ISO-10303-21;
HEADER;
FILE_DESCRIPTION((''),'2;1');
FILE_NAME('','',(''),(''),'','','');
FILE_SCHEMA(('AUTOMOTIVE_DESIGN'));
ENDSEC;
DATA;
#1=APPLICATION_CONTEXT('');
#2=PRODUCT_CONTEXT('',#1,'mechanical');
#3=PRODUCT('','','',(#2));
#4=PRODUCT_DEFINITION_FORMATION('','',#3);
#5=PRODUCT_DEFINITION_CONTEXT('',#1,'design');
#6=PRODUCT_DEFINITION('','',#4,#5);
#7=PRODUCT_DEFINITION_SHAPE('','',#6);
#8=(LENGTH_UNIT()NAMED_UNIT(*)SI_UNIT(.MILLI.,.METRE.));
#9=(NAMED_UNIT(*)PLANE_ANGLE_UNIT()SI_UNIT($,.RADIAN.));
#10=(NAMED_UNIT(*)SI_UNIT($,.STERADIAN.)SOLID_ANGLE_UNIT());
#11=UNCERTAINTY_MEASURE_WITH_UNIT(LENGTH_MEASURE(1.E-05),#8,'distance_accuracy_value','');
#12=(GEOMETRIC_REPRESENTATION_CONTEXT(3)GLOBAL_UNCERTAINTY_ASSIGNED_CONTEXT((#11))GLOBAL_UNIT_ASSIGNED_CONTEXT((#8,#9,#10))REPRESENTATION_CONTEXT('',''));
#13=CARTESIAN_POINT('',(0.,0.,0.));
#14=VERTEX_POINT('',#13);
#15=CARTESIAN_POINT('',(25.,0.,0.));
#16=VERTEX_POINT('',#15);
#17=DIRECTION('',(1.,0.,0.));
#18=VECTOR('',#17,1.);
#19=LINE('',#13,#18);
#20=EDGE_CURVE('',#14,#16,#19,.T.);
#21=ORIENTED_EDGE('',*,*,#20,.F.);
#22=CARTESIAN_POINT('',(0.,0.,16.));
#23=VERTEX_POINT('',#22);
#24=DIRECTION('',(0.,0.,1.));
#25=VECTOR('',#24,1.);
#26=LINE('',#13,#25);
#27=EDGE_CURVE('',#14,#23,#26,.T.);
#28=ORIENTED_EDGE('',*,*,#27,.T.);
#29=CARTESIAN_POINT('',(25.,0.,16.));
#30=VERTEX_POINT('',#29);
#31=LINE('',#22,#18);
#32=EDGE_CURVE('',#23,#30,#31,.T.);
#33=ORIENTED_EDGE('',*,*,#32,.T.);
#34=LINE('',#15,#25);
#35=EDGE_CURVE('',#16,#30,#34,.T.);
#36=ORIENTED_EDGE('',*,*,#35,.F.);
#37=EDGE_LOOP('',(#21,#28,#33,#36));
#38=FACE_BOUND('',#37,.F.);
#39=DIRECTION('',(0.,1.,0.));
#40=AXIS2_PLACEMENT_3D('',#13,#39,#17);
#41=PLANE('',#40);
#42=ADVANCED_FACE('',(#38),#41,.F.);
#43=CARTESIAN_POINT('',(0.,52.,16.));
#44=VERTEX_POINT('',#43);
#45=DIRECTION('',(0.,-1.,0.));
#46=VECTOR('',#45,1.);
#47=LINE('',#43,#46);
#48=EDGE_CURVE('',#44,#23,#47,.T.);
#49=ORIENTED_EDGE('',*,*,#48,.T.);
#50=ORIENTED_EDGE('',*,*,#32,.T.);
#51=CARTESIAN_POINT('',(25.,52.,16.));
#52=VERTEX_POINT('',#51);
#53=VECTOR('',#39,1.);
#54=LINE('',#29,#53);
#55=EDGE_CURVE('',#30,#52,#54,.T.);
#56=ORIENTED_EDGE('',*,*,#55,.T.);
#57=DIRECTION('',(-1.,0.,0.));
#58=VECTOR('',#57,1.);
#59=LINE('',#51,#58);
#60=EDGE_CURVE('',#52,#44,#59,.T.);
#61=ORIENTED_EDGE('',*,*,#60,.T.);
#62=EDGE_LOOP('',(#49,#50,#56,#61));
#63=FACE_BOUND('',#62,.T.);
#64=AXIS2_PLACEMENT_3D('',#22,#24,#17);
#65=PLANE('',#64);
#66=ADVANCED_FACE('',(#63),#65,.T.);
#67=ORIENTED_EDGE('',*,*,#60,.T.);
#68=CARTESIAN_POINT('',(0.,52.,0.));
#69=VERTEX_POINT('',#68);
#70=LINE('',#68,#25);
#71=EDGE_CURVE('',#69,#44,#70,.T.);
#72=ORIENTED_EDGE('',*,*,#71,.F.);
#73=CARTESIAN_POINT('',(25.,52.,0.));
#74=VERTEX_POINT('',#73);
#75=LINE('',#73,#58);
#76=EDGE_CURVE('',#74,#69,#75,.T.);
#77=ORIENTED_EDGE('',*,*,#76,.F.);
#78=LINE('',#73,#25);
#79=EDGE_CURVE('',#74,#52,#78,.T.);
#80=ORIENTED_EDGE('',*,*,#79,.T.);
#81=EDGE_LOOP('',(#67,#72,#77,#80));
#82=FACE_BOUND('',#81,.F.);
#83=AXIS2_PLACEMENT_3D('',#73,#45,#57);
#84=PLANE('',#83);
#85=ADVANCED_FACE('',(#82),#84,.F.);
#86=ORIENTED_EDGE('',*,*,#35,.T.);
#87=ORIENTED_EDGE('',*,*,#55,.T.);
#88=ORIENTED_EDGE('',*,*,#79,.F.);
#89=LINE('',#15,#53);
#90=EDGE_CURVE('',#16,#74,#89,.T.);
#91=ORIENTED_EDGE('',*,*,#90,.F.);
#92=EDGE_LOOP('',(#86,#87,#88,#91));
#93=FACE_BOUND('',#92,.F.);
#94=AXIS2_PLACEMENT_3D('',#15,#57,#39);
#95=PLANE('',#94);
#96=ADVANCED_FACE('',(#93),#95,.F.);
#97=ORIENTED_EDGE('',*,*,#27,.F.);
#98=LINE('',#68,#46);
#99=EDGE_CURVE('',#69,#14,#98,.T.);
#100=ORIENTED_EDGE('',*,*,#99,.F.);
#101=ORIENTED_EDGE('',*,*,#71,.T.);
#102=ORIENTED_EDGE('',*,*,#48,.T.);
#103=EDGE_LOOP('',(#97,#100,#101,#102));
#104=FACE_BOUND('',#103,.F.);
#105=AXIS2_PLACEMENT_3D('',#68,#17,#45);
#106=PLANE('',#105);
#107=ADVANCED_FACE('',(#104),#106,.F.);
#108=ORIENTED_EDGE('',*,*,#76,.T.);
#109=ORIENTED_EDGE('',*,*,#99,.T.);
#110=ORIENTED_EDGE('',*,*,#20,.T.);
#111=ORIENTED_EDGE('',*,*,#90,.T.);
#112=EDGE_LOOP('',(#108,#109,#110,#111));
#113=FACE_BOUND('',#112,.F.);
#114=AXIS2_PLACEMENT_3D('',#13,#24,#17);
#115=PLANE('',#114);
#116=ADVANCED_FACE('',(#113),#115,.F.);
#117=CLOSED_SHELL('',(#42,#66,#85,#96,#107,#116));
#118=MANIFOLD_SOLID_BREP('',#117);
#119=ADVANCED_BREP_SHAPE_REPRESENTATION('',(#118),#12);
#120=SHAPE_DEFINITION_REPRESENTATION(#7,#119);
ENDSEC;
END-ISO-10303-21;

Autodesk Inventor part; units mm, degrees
ref_plane "YZ Plane" through (0, 0, 0) normal (1, 0, 0) x (0, 1, 0)
ref_plane "XZ Plane" through (0, 0, 0) normal (0, 1, 0) x (-1, 0, 0)
ref_plane "XY Plane" through (0, 0, 0) normal (0, 0, 1) x (1, 0, 0)
sketch "Sketch1" plane through (0, 0, 0) normal (0, 0, 1) x (1, 0, 0)
  line L0 (0, 0) -> (25, 0)
  line L1 (25, 0) -> (25, 52)
  line L2 (25, 52) -> (0, 52)
  line L3 (0, 52) -> (0, 0)
  dimension "d0" = 52
  dimension "d1" = 25
extrude "Extrusion1" add sketch "Sketch1" along normal blind 16
properties part number "9Volt"
